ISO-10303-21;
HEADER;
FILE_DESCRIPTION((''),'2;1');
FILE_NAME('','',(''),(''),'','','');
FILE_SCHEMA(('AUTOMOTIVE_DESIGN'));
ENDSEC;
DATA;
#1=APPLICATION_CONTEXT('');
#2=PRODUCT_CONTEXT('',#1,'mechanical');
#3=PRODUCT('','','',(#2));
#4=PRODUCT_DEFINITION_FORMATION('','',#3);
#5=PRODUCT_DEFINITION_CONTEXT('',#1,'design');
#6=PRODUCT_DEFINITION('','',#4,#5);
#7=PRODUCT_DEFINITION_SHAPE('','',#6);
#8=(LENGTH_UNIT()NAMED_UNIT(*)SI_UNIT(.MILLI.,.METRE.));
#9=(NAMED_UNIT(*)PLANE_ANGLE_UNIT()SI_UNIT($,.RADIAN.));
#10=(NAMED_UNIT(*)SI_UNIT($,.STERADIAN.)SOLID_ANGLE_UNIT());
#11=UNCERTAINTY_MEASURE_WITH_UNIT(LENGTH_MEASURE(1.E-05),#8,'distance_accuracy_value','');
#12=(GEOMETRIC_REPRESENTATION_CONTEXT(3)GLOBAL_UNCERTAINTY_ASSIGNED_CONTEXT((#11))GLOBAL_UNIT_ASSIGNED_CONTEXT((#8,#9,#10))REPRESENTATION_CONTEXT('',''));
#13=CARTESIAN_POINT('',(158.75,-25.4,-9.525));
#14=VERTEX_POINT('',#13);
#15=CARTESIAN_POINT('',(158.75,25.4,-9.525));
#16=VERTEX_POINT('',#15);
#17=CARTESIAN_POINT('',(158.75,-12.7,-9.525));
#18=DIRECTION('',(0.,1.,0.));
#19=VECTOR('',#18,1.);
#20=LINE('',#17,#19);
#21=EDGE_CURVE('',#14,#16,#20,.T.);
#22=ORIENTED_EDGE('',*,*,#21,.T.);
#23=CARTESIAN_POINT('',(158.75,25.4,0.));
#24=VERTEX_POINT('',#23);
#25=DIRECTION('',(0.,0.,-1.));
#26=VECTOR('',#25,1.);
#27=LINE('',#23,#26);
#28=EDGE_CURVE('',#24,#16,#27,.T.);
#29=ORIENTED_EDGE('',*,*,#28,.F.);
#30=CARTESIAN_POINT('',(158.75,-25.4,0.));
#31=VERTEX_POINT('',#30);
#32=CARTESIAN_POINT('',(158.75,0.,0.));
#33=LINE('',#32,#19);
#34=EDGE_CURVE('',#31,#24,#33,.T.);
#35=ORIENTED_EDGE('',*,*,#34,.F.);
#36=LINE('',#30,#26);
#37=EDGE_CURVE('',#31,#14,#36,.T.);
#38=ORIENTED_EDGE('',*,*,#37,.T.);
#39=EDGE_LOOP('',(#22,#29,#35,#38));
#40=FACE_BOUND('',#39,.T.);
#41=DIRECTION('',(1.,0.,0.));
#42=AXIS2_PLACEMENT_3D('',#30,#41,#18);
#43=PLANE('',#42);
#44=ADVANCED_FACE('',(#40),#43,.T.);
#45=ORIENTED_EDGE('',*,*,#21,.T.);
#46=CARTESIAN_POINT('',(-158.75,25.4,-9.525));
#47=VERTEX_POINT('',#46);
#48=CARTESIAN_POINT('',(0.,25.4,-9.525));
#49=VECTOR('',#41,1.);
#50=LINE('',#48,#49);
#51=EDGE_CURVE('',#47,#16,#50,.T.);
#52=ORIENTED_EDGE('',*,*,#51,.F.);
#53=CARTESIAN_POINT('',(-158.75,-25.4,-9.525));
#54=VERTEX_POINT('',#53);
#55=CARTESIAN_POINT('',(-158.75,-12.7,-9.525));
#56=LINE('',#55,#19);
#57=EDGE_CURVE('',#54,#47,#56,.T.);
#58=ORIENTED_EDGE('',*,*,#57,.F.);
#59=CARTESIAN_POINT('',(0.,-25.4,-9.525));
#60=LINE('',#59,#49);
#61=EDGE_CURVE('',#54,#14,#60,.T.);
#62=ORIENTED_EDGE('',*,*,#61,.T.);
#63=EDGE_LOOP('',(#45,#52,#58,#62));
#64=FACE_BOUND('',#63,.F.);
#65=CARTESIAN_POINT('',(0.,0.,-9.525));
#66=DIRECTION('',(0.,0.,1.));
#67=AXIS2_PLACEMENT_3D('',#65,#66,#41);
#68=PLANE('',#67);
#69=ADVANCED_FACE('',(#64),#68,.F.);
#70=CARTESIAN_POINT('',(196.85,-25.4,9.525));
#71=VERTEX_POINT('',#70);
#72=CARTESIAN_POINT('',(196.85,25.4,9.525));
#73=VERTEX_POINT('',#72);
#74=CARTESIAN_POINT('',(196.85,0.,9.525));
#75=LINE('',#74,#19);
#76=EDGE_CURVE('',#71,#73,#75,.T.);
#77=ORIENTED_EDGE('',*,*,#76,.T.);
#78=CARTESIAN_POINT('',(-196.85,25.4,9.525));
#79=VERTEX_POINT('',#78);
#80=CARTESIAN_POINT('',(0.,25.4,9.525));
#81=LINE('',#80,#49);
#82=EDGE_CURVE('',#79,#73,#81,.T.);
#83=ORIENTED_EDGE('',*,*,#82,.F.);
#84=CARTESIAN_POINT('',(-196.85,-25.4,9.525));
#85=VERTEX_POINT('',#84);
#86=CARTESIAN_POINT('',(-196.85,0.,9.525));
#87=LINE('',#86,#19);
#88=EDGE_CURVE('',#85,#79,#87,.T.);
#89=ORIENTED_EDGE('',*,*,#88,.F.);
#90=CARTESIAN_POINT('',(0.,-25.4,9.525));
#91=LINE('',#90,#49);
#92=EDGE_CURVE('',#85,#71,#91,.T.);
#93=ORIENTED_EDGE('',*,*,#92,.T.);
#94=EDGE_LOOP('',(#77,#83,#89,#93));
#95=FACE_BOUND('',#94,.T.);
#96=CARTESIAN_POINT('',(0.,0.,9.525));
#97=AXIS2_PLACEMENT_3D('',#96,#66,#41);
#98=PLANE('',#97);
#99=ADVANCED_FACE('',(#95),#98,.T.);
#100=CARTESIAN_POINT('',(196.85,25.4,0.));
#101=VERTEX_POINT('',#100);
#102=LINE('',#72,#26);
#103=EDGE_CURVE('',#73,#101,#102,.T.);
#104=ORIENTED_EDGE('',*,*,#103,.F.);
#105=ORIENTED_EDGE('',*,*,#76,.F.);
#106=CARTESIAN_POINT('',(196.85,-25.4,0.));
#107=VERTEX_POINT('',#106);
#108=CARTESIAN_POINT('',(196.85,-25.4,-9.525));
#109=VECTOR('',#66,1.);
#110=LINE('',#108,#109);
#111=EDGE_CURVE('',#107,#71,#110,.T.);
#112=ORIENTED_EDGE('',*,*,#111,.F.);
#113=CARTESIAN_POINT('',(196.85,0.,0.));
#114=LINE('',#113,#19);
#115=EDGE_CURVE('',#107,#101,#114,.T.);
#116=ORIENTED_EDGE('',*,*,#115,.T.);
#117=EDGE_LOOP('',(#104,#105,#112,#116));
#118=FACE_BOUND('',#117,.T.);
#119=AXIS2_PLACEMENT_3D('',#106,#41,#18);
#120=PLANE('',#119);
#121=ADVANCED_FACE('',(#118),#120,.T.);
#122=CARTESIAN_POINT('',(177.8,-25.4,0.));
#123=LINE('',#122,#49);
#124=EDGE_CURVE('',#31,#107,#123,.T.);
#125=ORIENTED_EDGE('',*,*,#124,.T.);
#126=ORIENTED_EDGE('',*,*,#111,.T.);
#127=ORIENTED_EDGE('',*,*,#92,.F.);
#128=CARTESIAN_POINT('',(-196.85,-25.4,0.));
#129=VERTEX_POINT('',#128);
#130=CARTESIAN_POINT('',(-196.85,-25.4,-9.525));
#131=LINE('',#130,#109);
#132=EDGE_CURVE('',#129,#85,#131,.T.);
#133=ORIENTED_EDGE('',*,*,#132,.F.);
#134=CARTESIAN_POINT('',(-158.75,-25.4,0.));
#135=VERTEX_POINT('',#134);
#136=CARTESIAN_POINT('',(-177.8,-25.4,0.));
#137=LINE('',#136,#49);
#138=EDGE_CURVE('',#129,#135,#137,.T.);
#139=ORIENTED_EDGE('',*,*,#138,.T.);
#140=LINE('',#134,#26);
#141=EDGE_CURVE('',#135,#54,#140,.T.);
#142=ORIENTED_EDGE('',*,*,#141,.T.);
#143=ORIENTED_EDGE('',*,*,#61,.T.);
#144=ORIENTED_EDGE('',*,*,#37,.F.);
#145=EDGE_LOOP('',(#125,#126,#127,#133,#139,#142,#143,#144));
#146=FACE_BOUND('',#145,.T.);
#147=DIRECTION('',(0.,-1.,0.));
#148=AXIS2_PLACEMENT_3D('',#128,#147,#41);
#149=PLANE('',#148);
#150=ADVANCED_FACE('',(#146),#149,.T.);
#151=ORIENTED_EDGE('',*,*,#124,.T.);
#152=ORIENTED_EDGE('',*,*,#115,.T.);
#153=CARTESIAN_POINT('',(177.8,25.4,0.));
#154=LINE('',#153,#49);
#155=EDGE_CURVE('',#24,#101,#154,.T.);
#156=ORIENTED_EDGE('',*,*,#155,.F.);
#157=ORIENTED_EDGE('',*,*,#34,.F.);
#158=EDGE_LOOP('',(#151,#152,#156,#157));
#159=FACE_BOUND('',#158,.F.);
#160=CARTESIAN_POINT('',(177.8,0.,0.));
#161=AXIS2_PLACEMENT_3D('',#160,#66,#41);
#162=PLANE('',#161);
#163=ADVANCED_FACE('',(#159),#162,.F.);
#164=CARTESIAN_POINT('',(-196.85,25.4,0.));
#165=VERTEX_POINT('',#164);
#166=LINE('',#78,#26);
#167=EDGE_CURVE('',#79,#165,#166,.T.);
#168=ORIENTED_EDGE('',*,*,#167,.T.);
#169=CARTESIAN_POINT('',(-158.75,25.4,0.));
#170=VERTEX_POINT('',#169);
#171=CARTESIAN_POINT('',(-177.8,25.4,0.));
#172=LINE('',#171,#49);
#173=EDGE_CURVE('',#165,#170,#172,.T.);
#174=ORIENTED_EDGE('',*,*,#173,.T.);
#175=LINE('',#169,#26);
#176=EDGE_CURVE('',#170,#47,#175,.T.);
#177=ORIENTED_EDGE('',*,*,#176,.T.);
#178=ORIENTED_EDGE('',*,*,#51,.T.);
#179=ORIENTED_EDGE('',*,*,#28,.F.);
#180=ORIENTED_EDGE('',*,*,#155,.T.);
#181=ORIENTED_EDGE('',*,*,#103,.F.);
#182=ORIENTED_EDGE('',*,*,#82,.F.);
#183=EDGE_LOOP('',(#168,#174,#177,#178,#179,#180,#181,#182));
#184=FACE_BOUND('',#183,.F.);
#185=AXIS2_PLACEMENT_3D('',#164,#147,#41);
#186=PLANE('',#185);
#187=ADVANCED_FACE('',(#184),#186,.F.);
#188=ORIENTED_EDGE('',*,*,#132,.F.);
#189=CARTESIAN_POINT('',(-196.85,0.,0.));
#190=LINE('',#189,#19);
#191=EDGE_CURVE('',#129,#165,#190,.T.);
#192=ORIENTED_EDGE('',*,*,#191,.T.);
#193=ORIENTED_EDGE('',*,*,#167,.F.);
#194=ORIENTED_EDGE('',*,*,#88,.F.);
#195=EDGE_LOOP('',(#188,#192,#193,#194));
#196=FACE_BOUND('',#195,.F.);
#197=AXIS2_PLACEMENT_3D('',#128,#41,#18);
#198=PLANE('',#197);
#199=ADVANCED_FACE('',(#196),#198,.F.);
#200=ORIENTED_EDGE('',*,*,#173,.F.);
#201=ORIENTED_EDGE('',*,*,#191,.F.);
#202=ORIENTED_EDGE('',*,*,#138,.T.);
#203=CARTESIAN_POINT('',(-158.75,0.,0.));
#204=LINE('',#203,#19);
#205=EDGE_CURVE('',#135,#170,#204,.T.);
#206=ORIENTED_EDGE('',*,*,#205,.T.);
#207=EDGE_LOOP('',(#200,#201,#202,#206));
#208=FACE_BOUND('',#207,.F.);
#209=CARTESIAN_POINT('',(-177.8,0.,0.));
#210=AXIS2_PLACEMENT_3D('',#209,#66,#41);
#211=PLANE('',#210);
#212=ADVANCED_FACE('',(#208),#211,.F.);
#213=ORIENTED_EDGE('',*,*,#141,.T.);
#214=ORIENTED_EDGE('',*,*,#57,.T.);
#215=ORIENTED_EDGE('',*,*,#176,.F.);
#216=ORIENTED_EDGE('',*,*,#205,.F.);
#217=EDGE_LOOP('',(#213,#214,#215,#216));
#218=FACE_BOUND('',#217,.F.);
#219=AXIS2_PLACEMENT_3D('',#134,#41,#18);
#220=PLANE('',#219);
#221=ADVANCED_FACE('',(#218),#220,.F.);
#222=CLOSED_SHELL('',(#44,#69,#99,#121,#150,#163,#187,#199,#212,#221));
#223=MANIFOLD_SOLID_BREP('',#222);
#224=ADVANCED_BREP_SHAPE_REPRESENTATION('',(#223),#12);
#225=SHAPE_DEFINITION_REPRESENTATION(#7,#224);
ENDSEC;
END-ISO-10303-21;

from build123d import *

# Parameters (mm, degrees)
F0_W     = 393.7
F0_H     = 50.8
F1_DEPTH = 9.525
F2_W     = 38.1
F2_H     = 50.8
F3_DEPTH = 9.526


with BuildPart() as f1:
    # F0 (on Top) → F1 (new body, symmetric)
    with BuildSketch(Plane.XY):
        Rectangle(F0_W, F0_H)
    extrude(amount=F1_DEPTH, both=True)

    # F2 (on Top) → F3 (cut, through all)
    with BuildSketch(Plane.XY):
        with Locations((-177.8, 0)):
            Rectangle(F2_W, F2_H)
        with Locations((177.8, 0)):
            Rectangle(F2_W, F2_H)
    extrude(amount=-F3_DEPTH, mode=Mode.SUBTRACT)


solid = f1.part
